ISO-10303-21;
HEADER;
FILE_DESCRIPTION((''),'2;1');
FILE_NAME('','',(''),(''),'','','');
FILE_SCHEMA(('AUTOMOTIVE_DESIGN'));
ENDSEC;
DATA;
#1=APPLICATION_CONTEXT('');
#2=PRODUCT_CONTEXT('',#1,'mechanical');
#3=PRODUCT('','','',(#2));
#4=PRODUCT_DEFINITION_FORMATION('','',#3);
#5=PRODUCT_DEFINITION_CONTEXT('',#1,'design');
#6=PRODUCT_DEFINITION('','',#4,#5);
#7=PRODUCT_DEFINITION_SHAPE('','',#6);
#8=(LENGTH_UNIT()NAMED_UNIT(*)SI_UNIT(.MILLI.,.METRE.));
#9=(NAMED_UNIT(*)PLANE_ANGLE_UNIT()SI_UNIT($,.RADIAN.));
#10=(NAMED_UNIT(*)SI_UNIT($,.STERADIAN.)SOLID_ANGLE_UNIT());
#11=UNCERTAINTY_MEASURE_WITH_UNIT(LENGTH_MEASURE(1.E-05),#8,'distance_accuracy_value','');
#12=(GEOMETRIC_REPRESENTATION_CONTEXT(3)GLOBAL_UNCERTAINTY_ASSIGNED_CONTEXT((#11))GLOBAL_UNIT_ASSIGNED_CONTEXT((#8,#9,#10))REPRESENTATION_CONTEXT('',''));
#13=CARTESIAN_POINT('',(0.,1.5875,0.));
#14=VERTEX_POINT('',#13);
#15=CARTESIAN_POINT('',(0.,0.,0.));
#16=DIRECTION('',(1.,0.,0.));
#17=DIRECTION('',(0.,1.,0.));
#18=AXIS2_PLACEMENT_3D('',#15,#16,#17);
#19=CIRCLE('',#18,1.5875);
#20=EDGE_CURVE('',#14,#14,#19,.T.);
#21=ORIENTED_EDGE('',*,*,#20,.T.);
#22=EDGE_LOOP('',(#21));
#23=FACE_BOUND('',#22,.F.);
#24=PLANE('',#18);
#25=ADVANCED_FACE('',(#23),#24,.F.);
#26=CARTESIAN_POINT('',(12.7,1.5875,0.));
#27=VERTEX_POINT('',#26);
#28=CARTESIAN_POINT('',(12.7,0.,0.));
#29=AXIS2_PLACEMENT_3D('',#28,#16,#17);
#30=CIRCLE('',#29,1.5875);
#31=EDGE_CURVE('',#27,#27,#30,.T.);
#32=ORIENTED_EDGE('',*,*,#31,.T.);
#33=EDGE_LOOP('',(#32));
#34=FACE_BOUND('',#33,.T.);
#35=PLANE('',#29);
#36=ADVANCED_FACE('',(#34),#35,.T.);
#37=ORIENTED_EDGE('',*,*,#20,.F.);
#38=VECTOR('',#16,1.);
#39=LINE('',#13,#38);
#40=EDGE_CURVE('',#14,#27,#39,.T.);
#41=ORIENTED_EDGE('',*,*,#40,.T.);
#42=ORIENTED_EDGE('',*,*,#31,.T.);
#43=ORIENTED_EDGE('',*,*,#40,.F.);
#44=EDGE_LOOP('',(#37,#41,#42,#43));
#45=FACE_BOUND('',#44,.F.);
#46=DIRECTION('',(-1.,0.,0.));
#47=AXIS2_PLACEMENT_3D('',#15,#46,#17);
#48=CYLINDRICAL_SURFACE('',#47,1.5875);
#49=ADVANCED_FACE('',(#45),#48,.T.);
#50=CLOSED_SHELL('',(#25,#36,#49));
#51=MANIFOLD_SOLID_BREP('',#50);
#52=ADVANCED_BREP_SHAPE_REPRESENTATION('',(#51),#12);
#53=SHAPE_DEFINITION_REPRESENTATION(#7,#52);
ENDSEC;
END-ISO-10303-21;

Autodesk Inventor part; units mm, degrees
ref_plane "YZ Plane" through (0, 0, 0) normal (1, 0, 0) x (0, 1, 0)
ref_plane "XZ Plane" through (0, 0, 0) normal (0, 1, 0) x (-1, 0, 0)
ref_plane "XY Plane" through (0, 0, 0) normal (0, 0, 1) x (1, 0, 0)
sketch "Sketch1" plane through (0, 0, 0) normal (1, 0, 0) x (0, 1, 0)
  circle A0 centre (0, 0) radius 1.5875
  dimension "d0" = 3.175
extrude "Extrusion1" add sketch "Sketch1" along normal blind 12.7
properties part number "RollPin_0.5in"
